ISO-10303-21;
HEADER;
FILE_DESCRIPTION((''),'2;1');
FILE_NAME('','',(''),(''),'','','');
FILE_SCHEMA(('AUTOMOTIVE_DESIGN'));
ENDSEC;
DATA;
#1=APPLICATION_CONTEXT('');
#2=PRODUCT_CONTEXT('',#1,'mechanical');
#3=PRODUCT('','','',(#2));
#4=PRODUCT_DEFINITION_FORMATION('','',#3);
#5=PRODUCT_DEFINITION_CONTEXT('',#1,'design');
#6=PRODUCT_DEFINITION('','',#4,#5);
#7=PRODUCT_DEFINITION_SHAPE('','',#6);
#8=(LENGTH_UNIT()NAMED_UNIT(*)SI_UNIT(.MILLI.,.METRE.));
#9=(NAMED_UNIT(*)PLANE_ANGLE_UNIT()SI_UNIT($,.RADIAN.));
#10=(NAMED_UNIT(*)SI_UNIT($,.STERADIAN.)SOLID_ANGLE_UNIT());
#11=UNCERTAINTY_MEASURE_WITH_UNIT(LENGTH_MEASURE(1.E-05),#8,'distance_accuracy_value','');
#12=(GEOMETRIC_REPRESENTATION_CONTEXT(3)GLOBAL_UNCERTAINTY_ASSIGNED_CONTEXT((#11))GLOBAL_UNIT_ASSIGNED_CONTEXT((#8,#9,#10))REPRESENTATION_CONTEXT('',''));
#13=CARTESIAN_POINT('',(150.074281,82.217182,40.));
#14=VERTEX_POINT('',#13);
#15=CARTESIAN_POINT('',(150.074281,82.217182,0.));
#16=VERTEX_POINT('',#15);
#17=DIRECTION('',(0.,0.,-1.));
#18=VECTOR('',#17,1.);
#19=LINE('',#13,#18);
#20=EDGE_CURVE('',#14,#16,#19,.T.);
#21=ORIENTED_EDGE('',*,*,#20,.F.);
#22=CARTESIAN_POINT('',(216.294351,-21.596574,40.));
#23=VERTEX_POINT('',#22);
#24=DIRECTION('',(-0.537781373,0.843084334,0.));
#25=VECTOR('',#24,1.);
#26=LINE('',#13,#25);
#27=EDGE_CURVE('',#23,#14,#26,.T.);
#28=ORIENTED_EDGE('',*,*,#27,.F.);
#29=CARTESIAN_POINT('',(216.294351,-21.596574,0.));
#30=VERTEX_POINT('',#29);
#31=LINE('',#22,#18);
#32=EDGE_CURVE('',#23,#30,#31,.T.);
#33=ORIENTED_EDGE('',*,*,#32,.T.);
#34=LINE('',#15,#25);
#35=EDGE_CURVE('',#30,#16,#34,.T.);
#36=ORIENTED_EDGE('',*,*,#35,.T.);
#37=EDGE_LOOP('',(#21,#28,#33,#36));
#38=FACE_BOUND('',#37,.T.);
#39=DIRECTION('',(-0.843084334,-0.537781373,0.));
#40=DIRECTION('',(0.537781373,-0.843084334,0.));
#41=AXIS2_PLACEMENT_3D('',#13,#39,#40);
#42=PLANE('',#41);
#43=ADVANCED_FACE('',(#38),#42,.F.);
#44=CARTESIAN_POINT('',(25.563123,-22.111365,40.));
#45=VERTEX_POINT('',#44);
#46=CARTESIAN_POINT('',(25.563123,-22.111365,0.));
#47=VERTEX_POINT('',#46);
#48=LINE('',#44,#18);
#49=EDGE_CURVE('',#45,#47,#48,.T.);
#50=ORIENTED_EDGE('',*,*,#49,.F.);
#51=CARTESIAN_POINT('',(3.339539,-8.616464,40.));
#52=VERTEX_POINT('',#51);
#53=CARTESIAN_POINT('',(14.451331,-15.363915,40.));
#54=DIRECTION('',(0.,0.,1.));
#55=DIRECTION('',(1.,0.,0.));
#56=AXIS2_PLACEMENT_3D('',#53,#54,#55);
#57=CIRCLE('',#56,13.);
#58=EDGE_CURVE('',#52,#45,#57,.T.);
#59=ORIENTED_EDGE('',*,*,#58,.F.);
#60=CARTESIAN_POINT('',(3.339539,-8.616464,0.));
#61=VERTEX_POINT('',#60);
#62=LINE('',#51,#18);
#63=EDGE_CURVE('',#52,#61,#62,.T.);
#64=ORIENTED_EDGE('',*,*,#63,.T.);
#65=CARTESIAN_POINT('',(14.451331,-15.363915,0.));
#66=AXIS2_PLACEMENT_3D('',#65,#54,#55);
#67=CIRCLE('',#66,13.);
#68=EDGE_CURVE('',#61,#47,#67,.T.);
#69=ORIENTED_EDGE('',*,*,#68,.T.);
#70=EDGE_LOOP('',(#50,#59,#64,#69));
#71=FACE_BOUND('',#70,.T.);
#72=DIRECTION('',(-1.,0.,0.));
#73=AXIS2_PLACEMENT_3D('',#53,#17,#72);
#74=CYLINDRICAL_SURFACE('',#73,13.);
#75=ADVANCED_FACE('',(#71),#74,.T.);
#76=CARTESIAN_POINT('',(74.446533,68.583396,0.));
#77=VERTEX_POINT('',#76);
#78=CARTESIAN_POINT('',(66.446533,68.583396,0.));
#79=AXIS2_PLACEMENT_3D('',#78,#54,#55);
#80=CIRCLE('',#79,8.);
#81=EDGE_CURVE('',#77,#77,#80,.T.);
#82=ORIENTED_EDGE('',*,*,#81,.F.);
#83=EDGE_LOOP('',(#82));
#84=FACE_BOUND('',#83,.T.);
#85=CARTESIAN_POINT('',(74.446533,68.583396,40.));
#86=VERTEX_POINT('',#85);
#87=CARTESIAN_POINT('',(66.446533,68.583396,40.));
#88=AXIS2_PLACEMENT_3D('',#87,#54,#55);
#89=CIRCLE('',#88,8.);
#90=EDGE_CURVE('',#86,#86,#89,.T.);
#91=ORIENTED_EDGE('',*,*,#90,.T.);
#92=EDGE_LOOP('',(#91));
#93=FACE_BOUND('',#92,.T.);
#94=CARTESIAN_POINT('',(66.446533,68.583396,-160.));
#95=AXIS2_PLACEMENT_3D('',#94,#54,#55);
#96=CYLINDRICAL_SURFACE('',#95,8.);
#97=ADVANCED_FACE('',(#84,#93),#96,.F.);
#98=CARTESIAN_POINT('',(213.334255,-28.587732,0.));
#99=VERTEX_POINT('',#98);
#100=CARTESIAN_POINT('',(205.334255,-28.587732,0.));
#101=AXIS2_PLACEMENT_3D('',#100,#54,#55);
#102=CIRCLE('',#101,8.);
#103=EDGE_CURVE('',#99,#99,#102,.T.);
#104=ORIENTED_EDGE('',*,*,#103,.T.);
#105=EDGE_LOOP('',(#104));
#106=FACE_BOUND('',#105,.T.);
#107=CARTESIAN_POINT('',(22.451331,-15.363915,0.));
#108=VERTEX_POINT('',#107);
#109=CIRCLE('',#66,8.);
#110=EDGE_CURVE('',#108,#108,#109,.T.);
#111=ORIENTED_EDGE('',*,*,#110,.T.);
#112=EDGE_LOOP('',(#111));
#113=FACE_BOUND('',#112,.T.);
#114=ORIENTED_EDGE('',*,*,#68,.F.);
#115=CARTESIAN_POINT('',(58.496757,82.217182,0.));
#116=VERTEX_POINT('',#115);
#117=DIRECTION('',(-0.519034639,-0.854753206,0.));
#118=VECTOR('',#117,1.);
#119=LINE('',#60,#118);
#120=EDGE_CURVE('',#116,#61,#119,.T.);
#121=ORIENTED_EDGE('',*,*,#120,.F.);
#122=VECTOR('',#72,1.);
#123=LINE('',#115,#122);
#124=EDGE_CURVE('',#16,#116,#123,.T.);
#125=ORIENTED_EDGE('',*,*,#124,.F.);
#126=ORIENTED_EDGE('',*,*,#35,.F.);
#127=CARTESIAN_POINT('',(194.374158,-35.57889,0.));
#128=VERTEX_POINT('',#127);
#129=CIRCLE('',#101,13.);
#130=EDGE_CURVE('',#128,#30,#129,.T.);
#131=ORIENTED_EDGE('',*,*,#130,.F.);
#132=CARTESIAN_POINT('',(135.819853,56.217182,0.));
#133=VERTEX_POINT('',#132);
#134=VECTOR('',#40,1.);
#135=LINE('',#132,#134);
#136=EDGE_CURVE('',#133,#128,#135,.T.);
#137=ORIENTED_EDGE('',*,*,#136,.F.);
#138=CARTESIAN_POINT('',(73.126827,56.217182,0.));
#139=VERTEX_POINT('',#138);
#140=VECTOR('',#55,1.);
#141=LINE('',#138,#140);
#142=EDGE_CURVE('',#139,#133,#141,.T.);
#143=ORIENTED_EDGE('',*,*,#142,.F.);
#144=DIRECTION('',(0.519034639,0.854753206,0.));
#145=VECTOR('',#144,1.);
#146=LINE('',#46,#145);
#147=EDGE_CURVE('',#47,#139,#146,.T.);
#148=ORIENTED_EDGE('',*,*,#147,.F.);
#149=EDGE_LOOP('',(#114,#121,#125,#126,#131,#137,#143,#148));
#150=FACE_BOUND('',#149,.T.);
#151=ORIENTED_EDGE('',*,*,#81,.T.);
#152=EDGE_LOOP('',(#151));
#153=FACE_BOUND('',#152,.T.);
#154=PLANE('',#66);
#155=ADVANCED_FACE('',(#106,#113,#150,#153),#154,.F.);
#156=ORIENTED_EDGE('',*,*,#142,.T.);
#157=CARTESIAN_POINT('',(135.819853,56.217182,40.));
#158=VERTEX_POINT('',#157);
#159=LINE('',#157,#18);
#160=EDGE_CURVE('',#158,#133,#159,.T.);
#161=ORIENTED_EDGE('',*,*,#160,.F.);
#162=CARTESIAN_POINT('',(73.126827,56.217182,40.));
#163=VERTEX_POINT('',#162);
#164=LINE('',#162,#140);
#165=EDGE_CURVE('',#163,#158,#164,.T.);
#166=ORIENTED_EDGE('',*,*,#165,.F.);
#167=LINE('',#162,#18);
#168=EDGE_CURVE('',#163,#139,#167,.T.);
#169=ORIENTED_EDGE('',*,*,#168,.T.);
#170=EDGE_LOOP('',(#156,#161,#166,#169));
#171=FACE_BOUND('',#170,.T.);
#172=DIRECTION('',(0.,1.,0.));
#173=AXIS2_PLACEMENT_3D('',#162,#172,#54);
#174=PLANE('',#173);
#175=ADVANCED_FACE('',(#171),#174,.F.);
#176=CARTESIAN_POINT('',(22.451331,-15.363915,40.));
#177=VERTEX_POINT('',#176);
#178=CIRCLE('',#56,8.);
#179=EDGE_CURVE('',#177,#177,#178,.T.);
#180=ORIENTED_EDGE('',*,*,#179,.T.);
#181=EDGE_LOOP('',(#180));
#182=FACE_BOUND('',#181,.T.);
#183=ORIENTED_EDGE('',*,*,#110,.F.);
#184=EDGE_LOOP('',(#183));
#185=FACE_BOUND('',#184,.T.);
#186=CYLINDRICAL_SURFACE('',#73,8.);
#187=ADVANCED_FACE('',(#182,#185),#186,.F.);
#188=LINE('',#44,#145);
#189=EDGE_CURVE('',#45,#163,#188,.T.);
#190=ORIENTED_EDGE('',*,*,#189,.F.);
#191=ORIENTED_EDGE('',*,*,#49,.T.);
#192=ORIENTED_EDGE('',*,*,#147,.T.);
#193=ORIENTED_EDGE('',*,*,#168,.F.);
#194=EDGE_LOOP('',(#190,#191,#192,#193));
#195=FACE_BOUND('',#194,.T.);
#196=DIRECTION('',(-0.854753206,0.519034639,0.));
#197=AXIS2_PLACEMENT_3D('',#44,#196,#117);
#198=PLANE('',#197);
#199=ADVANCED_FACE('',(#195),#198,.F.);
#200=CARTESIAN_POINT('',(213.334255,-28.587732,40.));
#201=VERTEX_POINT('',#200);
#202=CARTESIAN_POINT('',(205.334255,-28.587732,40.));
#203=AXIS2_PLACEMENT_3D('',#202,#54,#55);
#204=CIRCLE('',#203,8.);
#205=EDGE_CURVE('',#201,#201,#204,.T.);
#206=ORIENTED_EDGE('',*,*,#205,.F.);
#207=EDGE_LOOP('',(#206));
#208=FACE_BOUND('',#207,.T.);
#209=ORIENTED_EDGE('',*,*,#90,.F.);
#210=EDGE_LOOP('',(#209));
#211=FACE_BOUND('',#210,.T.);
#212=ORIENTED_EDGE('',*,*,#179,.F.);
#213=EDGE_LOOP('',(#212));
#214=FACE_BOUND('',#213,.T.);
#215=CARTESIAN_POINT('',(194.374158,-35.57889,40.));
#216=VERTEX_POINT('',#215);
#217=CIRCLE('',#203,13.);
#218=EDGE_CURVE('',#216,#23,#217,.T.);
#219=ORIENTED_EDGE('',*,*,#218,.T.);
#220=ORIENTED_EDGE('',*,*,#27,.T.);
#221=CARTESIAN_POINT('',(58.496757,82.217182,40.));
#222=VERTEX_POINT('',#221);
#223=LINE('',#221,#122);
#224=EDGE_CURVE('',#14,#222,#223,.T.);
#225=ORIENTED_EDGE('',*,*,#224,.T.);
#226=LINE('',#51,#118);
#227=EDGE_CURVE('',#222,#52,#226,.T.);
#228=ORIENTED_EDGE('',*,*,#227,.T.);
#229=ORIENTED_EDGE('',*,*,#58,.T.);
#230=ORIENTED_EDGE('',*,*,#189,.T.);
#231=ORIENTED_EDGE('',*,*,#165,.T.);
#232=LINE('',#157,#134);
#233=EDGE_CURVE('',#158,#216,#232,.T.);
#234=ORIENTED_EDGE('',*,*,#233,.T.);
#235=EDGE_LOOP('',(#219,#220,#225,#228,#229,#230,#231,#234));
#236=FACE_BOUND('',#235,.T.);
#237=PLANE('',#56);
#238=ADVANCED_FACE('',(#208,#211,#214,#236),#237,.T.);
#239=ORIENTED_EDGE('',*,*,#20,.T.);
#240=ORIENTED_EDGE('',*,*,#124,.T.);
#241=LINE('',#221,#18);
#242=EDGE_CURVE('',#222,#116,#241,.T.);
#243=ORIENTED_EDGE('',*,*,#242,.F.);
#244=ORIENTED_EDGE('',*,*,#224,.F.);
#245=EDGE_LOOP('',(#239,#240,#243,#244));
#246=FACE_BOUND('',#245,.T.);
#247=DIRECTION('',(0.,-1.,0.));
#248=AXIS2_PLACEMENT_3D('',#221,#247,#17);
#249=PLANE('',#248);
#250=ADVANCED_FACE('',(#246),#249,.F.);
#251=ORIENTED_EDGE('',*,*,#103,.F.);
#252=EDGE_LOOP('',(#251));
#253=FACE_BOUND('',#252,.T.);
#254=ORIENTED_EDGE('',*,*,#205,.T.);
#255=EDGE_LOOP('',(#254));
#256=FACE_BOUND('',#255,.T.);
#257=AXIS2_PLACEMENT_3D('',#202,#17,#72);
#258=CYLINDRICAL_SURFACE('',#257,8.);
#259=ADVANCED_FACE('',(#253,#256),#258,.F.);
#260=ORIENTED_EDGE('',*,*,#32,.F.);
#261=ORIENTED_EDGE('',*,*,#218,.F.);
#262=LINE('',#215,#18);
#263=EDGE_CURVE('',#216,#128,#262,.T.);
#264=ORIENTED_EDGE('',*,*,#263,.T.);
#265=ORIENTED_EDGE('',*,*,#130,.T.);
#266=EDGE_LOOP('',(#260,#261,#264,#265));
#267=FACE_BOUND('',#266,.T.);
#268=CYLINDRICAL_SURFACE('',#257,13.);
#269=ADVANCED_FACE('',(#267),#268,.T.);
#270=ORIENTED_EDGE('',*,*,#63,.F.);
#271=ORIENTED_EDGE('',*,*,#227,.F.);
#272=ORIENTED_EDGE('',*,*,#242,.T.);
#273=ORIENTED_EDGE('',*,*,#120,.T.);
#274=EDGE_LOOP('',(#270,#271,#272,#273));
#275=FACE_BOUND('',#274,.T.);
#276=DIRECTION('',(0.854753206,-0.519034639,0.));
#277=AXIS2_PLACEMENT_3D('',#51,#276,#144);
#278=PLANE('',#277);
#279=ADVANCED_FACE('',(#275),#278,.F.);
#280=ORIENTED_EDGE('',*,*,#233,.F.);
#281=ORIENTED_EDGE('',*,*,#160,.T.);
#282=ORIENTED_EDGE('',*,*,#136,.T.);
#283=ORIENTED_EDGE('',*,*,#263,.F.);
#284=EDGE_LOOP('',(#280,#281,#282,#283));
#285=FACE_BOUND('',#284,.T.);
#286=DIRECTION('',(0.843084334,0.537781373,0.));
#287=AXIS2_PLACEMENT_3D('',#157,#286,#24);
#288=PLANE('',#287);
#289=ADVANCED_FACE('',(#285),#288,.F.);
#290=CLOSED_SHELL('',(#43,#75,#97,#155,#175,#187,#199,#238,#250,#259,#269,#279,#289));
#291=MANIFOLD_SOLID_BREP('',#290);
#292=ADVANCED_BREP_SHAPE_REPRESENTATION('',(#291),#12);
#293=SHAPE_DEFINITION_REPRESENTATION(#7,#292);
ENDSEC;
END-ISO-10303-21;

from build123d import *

# Parameters (mm, degrees)
SZKIC1_R                    = 8
DODANIE_WYCI_GNI_CIE1_DEPTH = 40
SZKIC2_R                    = 8
WYTNIJ_WYCI_GNI_CIE2_DEPTH  = 200


with BuildPart() as part:
    # Szkic1 → Dodanie-wyciągnięcie1 (new body)
    with BuildSketch(Plane.XY):
        with BuildLine():
            Line((3.339539238, -8.616464397), (58.496757029, 82.217181769))
            Line((58.496757029, 82.217181769), (150.074280719, 82.217181769))
            Line((150.074280719, 82.217181769), (216.294351194, -21.596573875))
            ThreePointArc((216.294351194, -21.596573875), (212.325412695, -39.547828071), (194.3741585, -35.578889572))
            Line((194.3741585, -35.578889572), (135.819853477, 56.217181769))
            Line((135.819853477, 56.217181769), (73.126827199, 56.217181769))
            Line((73.126827199, 56.217181769), (25.563122599, -22.111365012))
            ThreePointArc((25.563122599, -22.111365012), (7.703880611, -26.475706385), (3.339539238, -8.616464397))
        make_face()
        with Locations((14.451330919, -15.363914704)):
            Circle(SZKIC1_R, mode=Mode.SUBTRACT)
        with Locations((205.334254847, -28.587731723)):
            Circle(SZKIC1_R, mode=Mode.SUBTRACT)
    extrude(amount=DODANIE_WYCI_GNI_CIE1_DEPTH)

    # Szkic2 → Wytnij-wyciągnięcie2 (cut)
    with BuildSketch(Plane.XY.offset(40)):
        with Locations((66.446533252, 68.583395935)):
            Circle(SZKIC2_R)
    extrude(amount=-WYTNIJ_WYCI_GNI_CIE2_DEPTH, mode=Mode.SUBTRACT)


solid = part.part
